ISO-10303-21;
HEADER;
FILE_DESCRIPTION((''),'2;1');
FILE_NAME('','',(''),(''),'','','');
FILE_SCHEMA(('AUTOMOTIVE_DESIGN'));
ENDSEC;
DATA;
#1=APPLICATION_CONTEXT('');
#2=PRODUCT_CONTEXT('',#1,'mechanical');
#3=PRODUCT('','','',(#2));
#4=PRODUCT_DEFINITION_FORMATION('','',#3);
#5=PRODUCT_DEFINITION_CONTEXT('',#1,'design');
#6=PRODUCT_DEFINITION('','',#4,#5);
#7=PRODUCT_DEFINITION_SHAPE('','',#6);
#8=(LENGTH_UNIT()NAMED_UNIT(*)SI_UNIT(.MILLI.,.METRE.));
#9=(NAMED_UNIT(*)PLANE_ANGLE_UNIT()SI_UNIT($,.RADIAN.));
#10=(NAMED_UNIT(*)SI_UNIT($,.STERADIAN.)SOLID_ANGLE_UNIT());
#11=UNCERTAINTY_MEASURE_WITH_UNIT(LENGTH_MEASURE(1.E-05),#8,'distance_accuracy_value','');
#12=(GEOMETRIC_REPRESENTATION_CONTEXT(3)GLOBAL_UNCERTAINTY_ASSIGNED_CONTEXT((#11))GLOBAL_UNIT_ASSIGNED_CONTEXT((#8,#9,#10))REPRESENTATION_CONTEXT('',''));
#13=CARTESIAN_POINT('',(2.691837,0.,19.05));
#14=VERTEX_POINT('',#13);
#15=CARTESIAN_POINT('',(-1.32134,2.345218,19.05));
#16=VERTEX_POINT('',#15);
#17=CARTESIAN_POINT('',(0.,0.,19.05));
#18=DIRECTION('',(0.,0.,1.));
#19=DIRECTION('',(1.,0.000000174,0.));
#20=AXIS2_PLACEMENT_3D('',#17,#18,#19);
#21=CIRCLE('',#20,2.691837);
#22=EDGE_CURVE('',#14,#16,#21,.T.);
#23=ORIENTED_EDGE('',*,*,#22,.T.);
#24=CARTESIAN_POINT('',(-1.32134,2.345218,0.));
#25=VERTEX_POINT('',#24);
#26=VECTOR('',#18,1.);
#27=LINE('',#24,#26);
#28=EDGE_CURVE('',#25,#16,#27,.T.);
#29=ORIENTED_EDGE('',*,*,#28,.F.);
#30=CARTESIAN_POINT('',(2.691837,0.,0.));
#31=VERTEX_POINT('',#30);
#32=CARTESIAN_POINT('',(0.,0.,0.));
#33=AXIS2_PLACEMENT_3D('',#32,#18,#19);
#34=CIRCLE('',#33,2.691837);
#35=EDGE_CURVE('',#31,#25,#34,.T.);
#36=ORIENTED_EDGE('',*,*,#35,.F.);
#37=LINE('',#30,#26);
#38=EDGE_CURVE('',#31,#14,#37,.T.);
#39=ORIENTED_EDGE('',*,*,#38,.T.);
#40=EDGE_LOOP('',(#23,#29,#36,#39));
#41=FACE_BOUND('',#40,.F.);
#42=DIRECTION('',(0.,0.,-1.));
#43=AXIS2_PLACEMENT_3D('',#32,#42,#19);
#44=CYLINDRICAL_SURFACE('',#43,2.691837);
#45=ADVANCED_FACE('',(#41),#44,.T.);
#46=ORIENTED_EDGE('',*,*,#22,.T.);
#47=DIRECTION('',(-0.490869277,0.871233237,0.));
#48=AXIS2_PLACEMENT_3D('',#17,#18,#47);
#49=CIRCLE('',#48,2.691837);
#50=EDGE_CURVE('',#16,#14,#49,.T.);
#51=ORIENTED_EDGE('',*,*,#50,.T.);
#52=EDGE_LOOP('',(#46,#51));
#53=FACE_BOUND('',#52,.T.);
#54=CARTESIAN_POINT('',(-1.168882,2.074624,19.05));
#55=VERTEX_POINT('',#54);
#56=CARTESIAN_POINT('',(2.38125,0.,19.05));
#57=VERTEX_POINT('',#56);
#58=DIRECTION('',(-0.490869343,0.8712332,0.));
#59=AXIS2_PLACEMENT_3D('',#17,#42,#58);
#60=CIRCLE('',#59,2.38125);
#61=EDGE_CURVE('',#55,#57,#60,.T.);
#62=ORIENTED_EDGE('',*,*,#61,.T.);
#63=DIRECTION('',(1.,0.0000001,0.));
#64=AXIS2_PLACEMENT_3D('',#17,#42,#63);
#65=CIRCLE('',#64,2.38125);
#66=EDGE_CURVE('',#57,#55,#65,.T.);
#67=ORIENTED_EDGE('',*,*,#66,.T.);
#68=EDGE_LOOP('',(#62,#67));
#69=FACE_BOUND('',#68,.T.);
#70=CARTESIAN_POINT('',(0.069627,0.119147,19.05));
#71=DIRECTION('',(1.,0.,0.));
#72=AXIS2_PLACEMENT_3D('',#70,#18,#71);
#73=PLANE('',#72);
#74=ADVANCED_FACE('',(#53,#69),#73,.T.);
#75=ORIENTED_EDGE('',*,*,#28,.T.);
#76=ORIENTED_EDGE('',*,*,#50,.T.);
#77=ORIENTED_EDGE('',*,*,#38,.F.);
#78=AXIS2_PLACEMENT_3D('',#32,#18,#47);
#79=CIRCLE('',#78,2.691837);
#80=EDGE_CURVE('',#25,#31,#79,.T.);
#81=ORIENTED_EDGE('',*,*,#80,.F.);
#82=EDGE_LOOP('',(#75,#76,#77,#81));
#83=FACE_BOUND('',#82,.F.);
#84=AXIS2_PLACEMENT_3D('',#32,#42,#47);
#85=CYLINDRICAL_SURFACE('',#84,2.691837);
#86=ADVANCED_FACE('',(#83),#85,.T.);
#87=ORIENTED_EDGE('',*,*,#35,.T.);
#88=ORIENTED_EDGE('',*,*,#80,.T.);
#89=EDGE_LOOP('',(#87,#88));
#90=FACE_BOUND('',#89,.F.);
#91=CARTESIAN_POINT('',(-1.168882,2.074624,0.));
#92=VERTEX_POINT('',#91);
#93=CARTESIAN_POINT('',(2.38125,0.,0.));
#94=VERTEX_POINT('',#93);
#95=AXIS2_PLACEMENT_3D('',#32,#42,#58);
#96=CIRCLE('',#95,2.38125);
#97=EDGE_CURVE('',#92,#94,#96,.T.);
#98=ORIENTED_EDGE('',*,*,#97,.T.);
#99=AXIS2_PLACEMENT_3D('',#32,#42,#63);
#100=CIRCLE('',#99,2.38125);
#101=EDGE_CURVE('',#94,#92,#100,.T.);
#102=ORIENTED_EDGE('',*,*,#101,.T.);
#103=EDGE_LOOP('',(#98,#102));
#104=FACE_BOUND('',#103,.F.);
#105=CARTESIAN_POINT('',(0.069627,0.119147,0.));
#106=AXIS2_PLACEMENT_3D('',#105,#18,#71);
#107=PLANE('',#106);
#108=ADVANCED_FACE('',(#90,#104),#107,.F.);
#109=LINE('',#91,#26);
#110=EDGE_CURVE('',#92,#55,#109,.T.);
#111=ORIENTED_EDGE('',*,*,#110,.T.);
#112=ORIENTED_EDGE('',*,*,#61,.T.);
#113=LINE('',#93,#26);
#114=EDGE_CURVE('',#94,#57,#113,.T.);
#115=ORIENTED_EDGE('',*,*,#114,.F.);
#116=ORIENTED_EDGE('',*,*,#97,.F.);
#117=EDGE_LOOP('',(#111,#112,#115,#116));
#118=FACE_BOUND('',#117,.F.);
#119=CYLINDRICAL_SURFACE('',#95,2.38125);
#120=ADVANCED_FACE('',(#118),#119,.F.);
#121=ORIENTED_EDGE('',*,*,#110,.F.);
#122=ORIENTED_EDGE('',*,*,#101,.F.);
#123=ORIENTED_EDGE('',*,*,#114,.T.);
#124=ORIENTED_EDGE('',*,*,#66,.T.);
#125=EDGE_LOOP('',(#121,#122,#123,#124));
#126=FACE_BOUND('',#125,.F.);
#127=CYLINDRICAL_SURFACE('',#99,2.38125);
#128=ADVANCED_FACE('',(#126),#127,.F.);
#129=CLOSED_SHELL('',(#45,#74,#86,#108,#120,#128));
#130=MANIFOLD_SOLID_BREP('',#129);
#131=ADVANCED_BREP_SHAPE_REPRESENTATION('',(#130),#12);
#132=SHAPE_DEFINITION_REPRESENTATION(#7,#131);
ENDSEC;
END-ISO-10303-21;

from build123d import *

# Parameters (mm, degrees)
F1_DEPTH = 19.05


with BuildPart() as f1:
    # F0 (on Top) → F1 (new body)
    with BuildSketch(Plane.XY):
        with BuildLine():
            ThreePointArc((2.691837, 0), (1.358152, 2.324093), (-1.32134, 2.345218))
            ThreePointArc((-1.32134, 2.345218), (-1.358152, -2.324093), (2.691837, 0))
        make_face()
        with BuildLine():
            ThreePointArc((-1.168882, 2.074624), (1.201447, 2.055937), (2.38125, 0))
            ThreePointArc((2.38125, 0), (-1.201447, -2.055937), (-1.168882, 2.074624))
        make_face(mode=Mode.SUBTRACT)
    extrude(amount=F1_DEPTH)


solid = f1.part
